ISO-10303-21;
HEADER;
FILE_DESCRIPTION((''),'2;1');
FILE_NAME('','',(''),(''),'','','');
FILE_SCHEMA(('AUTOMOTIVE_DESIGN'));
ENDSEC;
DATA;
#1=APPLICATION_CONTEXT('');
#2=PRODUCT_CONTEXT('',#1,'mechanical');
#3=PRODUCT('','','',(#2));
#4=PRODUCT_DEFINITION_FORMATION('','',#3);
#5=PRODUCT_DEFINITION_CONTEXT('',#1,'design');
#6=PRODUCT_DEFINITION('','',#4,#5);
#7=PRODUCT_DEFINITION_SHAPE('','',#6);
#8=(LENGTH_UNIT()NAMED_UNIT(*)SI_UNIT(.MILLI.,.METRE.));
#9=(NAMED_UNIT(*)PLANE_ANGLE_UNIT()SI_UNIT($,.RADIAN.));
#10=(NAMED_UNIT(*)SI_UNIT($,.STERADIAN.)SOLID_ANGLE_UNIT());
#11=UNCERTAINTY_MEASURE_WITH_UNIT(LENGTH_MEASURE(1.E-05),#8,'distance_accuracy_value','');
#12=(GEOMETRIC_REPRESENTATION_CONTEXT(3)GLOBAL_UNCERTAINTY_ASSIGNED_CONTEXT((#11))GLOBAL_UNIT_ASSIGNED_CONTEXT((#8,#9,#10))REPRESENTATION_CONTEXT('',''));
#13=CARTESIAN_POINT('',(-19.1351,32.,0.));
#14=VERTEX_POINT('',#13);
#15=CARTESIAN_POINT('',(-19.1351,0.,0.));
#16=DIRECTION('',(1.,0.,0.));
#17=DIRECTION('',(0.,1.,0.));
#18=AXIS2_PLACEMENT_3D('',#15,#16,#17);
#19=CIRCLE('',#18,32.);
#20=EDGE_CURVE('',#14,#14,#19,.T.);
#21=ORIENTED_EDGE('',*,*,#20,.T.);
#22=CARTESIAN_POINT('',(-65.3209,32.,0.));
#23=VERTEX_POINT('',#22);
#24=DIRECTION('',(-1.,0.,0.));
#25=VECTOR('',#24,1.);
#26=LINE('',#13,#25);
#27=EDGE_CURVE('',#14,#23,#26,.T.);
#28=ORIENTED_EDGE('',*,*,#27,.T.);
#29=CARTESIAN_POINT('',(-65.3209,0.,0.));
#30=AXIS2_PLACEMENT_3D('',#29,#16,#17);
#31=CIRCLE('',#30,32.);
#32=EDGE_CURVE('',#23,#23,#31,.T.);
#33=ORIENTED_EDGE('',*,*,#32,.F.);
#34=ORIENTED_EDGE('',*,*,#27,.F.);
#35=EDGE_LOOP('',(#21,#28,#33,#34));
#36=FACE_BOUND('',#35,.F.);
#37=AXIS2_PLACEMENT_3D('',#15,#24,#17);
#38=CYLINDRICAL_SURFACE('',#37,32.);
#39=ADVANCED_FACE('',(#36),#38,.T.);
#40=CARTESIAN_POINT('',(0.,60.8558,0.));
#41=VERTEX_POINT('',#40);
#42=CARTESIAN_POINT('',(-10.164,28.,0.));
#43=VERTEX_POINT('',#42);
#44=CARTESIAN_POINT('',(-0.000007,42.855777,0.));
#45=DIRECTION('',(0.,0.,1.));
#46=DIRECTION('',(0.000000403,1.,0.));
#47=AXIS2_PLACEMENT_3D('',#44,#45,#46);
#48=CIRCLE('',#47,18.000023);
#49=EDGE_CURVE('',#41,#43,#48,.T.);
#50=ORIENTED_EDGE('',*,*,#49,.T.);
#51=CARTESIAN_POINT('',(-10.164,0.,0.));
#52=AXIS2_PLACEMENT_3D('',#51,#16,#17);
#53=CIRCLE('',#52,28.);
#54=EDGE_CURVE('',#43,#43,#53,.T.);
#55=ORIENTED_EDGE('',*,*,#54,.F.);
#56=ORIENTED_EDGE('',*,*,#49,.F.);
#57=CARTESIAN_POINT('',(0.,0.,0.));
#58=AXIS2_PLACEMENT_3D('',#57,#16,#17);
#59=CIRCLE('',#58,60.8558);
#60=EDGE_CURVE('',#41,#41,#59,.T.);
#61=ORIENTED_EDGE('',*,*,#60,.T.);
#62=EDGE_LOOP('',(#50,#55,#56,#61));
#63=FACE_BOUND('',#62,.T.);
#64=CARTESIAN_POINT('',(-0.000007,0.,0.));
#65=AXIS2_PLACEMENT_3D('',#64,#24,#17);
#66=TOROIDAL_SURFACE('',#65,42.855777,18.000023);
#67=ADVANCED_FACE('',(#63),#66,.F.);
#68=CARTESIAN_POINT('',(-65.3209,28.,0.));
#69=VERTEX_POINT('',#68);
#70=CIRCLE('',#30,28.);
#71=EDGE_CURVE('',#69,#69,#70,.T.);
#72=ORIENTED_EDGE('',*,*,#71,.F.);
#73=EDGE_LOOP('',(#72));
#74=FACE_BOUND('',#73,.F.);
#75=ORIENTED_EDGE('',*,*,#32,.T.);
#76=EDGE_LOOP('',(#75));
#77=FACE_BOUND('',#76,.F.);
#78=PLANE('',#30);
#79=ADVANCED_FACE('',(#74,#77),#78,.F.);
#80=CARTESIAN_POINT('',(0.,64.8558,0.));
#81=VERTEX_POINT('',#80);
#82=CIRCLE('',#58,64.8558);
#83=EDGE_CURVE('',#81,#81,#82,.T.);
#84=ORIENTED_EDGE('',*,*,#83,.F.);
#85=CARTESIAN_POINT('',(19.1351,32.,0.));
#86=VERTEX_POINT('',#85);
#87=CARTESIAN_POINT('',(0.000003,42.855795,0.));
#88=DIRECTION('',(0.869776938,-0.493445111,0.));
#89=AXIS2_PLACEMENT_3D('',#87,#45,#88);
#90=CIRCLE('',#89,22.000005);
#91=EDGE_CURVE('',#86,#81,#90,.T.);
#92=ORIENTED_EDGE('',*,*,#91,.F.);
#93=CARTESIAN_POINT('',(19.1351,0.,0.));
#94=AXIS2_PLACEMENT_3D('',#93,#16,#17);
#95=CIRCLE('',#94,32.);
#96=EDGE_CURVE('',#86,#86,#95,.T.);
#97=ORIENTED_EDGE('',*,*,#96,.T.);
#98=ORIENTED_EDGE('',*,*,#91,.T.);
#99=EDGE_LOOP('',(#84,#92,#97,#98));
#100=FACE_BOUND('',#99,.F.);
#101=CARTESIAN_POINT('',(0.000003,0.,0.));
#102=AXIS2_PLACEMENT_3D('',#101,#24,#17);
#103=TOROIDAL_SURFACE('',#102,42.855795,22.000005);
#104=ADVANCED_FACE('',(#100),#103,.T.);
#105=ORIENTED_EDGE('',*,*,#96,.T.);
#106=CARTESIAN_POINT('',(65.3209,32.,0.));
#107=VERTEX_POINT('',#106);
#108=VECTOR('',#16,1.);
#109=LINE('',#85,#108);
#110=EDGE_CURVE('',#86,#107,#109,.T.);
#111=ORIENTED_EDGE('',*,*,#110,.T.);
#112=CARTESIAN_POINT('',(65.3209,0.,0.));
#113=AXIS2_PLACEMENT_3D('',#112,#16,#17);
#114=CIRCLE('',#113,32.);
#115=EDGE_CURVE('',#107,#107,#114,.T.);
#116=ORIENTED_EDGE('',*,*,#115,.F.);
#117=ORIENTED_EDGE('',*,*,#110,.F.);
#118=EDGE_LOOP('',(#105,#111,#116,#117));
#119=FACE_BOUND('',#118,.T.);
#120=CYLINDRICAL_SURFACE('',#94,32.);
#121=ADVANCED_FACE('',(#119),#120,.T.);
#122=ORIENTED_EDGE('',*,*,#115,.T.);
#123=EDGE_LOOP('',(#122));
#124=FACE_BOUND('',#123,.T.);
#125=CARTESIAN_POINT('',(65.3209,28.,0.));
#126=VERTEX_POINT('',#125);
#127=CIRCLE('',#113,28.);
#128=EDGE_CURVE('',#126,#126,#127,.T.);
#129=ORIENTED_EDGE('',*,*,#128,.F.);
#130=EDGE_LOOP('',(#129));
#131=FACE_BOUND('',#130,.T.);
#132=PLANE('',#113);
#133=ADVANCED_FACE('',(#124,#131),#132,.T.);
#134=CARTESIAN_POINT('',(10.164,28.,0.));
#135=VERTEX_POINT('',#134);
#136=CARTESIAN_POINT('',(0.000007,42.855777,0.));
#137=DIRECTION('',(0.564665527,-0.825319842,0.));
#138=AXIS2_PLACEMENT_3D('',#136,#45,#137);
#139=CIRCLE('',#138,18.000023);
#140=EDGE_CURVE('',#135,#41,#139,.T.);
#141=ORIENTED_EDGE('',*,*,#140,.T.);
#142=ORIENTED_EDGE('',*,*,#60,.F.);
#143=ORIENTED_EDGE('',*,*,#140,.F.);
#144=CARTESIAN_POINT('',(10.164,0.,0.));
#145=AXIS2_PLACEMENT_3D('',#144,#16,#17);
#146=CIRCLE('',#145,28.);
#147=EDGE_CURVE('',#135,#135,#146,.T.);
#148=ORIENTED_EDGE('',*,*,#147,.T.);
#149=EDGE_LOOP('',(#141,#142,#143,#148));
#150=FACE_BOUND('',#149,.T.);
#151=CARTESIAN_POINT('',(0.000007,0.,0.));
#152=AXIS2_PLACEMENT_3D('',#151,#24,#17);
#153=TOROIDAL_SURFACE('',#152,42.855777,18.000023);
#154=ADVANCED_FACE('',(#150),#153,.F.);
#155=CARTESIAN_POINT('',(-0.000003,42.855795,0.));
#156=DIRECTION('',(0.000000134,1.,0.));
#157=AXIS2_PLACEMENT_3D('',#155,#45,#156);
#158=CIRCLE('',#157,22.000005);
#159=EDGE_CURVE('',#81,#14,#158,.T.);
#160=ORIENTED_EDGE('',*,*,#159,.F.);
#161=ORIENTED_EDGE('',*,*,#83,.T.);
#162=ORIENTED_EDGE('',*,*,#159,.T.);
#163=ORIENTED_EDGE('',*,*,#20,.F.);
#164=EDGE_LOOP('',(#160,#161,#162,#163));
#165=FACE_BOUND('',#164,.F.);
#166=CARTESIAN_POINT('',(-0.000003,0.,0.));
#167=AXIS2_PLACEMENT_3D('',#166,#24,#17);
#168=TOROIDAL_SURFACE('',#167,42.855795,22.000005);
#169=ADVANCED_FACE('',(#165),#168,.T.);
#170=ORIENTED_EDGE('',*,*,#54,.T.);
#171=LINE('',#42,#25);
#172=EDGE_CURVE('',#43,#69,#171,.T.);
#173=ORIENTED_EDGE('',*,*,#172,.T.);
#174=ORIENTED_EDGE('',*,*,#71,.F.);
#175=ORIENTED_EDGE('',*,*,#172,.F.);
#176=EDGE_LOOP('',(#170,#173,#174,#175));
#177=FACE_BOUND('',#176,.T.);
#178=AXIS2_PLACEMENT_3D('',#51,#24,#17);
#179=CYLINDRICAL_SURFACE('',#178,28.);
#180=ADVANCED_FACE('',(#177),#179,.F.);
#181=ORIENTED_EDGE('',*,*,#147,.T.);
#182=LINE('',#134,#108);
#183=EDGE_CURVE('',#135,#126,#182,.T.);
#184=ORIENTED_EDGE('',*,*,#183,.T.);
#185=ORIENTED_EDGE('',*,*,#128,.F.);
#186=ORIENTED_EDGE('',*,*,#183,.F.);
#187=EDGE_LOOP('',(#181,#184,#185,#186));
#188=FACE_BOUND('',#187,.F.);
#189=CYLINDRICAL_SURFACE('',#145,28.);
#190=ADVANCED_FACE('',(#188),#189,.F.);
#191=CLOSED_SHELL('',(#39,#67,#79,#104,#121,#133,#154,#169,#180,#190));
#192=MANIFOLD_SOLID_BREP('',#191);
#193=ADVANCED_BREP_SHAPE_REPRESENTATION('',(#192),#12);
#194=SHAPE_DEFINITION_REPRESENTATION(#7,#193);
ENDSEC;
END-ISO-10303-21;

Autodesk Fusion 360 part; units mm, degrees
sketch "Sketch1" plane through (0, 0, 0) normal (0, 0, 1) x (1, 0, 0)
  line L0 (0, 0) -> (65.3209, 0) construction
  line L1 (0, 0) -> (0, 62.8558) construction
  arc A0 (15.3209, 30) -> (0, 62.8558) centre (0, 42.8558) ccw construction
  line L2 (15.3209, 30) -> (65.3209, 30) construction
  line L3 (65.3209, 30) -> (65.3209, 0) construction
  arc A1 (10.164, 28) -> (0, 60.8558) centre (0, 42.8558) ccw
  line L4 (10.164, 28) -> (65.3209, 28)
  line L5 (19.1351, 32) -> (65.3209, 32)
  arc A2 (19.1351, 32) -> (0, 64.8558) centre (0, 42.8558) ccw
  line L6 (65.3209, 32) -> (65.3209, 28)
  line L7 (0, 42.8558) -> (15.3209, 30) construction
  line L8 (-65.3209, 32) -> (-65.3209, 28)
  line L9 (-19.1351, 32) -> (-65.3209, 32)
  line L10 (-10.164, 28) -> (-65.3209, 28)
  arc A3 (0, 60.8558) -> (-10.164, 28) centre (0, 42.8558) ccw
  arc A4 (0, 64.8558) -> (-19.1351, 32) centre (0, 42.8558) ccw
  dimension "Toroid_Radius" = 20
  dimension "Extension_Length" = 50
  dimension "Pipe_Radius" = 30
  dimension "Pipe_Thickness_1" = 2
  dimension "Pipe_Thickness_2" = 2
  dimension "Toroid_Half_Angle" = 130
revolve "Revolve1" add sketch "Sketch1" angle 360 about axis through (0, 0, 0) along (1, 0, 0)
